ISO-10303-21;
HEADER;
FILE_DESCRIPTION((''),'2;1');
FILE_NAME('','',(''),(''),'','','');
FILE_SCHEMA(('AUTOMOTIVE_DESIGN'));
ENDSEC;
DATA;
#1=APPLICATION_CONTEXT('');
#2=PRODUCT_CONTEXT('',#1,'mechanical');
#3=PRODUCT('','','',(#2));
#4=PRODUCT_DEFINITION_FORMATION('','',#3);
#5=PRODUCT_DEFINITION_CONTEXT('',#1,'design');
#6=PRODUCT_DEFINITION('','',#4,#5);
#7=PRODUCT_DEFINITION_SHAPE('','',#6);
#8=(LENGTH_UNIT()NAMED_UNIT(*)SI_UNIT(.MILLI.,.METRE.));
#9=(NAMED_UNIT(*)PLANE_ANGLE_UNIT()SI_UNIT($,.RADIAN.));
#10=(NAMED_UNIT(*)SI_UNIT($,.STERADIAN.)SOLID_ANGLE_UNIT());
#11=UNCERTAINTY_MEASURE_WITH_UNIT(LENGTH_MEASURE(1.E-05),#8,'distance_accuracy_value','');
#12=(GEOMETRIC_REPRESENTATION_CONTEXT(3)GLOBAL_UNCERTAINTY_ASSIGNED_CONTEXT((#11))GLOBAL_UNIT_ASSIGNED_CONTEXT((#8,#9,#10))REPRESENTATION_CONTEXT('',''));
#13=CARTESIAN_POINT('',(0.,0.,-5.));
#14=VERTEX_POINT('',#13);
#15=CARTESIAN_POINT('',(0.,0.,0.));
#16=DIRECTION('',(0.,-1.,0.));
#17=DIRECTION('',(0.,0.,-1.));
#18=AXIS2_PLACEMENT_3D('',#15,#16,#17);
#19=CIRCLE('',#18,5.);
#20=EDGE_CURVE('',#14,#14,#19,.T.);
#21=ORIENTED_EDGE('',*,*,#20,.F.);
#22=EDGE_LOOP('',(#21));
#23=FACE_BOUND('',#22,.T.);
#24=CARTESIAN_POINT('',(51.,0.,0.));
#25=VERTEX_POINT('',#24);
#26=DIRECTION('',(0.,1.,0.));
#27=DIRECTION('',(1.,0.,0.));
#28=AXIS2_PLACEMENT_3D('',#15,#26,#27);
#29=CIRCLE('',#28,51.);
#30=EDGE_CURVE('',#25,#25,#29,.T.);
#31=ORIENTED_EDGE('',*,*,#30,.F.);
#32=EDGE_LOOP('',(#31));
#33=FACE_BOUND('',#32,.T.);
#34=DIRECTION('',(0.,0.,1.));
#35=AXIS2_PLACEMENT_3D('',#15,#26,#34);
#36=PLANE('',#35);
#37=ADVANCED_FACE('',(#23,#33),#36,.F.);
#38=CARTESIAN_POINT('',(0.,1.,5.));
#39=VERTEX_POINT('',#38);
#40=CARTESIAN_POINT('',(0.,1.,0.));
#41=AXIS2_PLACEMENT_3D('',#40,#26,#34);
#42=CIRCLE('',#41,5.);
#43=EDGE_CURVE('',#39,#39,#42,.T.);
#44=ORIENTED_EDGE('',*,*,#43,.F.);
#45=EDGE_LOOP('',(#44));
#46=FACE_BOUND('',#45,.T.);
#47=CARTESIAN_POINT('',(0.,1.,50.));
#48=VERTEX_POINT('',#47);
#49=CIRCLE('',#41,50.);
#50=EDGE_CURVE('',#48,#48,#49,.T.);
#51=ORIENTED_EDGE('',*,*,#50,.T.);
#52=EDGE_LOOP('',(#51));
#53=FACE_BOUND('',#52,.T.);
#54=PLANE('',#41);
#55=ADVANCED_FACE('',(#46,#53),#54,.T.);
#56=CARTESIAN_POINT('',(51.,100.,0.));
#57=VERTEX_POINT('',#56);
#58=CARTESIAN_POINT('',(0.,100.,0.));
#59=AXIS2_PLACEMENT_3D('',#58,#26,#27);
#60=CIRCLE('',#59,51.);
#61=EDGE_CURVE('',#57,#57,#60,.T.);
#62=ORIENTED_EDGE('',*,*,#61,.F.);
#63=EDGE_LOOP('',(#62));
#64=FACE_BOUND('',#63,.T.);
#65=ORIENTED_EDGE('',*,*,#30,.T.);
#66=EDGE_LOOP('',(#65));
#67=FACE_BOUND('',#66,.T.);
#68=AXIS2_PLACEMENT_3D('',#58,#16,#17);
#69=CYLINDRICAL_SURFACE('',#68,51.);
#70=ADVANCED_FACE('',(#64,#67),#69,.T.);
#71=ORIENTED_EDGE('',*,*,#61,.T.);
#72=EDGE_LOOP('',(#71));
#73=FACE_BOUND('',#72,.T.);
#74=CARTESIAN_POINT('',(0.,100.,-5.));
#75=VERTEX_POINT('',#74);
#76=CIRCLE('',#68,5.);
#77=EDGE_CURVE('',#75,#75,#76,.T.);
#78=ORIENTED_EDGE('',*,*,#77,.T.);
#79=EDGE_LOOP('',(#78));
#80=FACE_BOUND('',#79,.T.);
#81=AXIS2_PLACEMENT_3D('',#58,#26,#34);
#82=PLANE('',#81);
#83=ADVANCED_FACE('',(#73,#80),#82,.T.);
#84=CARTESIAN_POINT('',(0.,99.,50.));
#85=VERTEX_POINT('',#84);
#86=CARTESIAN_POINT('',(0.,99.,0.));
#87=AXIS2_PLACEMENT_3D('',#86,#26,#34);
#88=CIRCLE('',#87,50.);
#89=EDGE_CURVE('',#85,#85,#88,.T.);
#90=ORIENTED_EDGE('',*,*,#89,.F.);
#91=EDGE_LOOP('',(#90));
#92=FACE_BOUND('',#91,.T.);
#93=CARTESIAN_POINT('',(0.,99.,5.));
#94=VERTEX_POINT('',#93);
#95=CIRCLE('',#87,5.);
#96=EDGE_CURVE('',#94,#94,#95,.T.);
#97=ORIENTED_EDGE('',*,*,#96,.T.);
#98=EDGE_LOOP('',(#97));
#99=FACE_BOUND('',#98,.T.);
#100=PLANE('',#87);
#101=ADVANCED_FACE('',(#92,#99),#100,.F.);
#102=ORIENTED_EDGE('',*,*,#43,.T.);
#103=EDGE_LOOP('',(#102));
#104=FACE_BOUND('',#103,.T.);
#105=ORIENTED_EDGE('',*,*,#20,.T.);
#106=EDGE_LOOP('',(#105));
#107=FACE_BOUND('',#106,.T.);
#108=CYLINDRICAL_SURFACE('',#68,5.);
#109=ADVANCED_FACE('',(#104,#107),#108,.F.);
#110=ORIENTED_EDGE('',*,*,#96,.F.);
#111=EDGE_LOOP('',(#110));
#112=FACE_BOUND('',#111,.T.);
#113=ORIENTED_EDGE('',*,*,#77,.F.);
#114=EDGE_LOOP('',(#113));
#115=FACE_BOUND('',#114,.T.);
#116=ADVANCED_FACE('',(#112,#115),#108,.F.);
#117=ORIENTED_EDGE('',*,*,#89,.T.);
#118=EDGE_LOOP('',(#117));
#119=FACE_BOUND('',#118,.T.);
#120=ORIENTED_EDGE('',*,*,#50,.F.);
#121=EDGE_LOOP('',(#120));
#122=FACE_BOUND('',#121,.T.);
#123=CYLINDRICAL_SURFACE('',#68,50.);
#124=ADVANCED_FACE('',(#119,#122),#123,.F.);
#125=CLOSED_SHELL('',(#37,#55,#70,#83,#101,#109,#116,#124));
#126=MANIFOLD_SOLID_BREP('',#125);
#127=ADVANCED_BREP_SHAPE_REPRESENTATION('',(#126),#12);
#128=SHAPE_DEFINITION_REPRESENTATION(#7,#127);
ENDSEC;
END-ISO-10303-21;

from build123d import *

# Parameters (mm, degrees)
SKETCH1_R           = 51
SKETCH1_R_2         = 50
EXTRUDE_THIN1_DEPTH = 100
SKETCH1_2_R         = 50
BOSS_EXTRUDE1_DEPTH = 1
LPATTERN1_COUNT     = 2
LPATTERN1_PITCH     = 99
SKETCH3_R           = 5
CUT_EXTRUDE1_DEPTH  = 101


with BuildPart() as part:
    # Sketch1 → Extrude-Thin1 (new body)
    with BuildSketch(Plane(origin=(0, 0, 0), x_dir=(1, 0, 0), z_dir=(0, 1, 0))):
        Circle(SKETCH1_R)
        Circle(SKETCH1_R_2, mode=Mode.SUBTRACT)
    extrude(amount=EXTRUDE_THIN1_DEPTH)

    # Sketch1<2> → Boss-Extrude1 (add)
    with BuildSketch(Plane(origin=(0, 0, 0), x_dir=(1, 0, 0), z_dir=(0, 1, 0))):
        Circle(SKETCH1_2_R)
    boss_extrude1 = extrude(amount=BOSS_EXTRUDE1_DEPTH)

    # LPattern1: Boss-Extrude1 ×2
    with Locations(*[(0, i * LPATTERN1_PITCH, 0) for i in range(1, LPATTERN1_COUNT)]):
        add(boss_extrude1)

    # Sketch3 → Cut-Extrude1 (cut, through all)
    with BuildSketch(Plane.XZ):
        Circle(SKETCH3_R)
    extrude(amount=-CUT_EXTRUDE1_DEPTH, mode=Mode.SUBTRACT)


solid = part.part
